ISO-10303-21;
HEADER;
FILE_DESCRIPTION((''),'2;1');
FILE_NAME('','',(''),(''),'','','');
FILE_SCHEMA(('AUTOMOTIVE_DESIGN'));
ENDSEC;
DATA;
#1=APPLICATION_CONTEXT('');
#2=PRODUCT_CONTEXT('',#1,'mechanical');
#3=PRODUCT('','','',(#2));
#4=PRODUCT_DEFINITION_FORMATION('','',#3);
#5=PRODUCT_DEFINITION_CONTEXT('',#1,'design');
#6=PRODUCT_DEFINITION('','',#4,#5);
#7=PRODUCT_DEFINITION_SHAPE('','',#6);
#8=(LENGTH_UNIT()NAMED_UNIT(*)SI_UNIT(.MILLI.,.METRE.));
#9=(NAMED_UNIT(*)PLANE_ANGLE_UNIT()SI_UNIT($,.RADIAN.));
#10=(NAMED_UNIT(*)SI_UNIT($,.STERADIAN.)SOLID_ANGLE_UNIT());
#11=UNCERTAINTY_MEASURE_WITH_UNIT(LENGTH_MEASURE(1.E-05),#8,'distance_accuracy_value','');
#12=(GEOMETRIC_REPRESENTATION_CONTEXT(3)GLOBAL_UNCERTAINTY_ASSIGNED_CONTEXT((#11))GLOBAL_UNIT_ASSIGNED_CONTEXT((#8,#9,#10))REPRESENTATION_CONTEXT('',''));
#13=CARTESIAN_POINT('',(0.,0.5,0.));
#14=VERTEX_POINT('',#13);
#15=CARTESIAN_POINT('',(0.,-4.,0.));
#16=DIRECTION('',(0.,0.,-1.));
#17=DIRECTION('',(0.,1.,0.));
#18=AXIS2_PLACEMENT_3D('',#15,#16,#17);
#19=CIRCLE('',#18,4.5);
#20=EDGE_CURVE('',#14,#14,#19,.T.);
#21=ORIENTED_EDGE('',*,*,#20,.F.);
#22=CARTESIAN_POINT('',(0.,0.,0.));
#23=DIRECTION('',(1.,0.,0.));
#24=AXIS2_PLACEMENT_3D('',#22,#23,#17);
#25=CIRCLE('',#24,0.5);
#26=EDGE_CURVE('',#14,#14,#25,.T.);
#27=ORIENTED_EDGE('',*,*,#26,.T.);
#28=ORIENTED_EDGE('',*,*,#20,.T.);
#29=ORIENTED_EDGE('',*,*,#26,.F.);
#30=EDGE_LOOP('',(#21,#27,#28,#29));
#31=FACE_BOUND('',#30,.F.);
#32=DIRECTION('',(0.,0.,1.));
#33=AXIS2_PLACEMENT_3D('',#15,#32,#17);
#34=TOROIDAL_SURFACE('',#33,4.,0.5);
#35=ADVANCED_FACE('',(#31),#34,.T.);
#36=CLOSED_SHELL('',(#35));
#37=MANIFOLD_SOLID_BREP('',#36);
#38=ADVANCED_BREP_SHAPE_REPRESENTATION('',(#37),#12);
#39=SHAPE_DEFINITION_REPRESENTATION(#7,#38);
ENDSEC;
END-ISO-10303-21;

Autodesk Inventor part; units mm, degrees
sketch "Sketch_1" plane through (0, 0, 0) normal (1, 0, 0) x (0, 1, 0)
  line L0 (-4, -50) -> (-4, 50)
  circle A0 centre (0, 0) radius 0.5
revolve "Revolution1" add sketch "Sketch_1" angle 360 about axis through (0, -4, -50) along (0, 0, -1)
ref_plane "3_TO_K_XY" through (0, 0, -1) normal (0, 0, 1) x (1, 0, 0)
ref_plane "3_TO_K_YZ" through (0, 0, -1) normal (1, 0, 0) x (0, 1, 0)
ref_plane "3_TO_K_ZX" through (0, 0, -1) normal (0, 1, 0) x (0, 0, 1)
ref_plane "31_TO_K_XY" through (0, -7.5, -1) normal (0, 0, 1) x (1, 0, 0)
ref_plane "31_TO_K_YZ" through (0, -7.5, -1) normal (1, 0, 0) x (0, 1, 0)
ref_plane "31_TO_K_ZX" through (0, -7.5, -1) normal (0, 1, 0) x (0, 0, 1)
properties part number "LOCNL2_3"
